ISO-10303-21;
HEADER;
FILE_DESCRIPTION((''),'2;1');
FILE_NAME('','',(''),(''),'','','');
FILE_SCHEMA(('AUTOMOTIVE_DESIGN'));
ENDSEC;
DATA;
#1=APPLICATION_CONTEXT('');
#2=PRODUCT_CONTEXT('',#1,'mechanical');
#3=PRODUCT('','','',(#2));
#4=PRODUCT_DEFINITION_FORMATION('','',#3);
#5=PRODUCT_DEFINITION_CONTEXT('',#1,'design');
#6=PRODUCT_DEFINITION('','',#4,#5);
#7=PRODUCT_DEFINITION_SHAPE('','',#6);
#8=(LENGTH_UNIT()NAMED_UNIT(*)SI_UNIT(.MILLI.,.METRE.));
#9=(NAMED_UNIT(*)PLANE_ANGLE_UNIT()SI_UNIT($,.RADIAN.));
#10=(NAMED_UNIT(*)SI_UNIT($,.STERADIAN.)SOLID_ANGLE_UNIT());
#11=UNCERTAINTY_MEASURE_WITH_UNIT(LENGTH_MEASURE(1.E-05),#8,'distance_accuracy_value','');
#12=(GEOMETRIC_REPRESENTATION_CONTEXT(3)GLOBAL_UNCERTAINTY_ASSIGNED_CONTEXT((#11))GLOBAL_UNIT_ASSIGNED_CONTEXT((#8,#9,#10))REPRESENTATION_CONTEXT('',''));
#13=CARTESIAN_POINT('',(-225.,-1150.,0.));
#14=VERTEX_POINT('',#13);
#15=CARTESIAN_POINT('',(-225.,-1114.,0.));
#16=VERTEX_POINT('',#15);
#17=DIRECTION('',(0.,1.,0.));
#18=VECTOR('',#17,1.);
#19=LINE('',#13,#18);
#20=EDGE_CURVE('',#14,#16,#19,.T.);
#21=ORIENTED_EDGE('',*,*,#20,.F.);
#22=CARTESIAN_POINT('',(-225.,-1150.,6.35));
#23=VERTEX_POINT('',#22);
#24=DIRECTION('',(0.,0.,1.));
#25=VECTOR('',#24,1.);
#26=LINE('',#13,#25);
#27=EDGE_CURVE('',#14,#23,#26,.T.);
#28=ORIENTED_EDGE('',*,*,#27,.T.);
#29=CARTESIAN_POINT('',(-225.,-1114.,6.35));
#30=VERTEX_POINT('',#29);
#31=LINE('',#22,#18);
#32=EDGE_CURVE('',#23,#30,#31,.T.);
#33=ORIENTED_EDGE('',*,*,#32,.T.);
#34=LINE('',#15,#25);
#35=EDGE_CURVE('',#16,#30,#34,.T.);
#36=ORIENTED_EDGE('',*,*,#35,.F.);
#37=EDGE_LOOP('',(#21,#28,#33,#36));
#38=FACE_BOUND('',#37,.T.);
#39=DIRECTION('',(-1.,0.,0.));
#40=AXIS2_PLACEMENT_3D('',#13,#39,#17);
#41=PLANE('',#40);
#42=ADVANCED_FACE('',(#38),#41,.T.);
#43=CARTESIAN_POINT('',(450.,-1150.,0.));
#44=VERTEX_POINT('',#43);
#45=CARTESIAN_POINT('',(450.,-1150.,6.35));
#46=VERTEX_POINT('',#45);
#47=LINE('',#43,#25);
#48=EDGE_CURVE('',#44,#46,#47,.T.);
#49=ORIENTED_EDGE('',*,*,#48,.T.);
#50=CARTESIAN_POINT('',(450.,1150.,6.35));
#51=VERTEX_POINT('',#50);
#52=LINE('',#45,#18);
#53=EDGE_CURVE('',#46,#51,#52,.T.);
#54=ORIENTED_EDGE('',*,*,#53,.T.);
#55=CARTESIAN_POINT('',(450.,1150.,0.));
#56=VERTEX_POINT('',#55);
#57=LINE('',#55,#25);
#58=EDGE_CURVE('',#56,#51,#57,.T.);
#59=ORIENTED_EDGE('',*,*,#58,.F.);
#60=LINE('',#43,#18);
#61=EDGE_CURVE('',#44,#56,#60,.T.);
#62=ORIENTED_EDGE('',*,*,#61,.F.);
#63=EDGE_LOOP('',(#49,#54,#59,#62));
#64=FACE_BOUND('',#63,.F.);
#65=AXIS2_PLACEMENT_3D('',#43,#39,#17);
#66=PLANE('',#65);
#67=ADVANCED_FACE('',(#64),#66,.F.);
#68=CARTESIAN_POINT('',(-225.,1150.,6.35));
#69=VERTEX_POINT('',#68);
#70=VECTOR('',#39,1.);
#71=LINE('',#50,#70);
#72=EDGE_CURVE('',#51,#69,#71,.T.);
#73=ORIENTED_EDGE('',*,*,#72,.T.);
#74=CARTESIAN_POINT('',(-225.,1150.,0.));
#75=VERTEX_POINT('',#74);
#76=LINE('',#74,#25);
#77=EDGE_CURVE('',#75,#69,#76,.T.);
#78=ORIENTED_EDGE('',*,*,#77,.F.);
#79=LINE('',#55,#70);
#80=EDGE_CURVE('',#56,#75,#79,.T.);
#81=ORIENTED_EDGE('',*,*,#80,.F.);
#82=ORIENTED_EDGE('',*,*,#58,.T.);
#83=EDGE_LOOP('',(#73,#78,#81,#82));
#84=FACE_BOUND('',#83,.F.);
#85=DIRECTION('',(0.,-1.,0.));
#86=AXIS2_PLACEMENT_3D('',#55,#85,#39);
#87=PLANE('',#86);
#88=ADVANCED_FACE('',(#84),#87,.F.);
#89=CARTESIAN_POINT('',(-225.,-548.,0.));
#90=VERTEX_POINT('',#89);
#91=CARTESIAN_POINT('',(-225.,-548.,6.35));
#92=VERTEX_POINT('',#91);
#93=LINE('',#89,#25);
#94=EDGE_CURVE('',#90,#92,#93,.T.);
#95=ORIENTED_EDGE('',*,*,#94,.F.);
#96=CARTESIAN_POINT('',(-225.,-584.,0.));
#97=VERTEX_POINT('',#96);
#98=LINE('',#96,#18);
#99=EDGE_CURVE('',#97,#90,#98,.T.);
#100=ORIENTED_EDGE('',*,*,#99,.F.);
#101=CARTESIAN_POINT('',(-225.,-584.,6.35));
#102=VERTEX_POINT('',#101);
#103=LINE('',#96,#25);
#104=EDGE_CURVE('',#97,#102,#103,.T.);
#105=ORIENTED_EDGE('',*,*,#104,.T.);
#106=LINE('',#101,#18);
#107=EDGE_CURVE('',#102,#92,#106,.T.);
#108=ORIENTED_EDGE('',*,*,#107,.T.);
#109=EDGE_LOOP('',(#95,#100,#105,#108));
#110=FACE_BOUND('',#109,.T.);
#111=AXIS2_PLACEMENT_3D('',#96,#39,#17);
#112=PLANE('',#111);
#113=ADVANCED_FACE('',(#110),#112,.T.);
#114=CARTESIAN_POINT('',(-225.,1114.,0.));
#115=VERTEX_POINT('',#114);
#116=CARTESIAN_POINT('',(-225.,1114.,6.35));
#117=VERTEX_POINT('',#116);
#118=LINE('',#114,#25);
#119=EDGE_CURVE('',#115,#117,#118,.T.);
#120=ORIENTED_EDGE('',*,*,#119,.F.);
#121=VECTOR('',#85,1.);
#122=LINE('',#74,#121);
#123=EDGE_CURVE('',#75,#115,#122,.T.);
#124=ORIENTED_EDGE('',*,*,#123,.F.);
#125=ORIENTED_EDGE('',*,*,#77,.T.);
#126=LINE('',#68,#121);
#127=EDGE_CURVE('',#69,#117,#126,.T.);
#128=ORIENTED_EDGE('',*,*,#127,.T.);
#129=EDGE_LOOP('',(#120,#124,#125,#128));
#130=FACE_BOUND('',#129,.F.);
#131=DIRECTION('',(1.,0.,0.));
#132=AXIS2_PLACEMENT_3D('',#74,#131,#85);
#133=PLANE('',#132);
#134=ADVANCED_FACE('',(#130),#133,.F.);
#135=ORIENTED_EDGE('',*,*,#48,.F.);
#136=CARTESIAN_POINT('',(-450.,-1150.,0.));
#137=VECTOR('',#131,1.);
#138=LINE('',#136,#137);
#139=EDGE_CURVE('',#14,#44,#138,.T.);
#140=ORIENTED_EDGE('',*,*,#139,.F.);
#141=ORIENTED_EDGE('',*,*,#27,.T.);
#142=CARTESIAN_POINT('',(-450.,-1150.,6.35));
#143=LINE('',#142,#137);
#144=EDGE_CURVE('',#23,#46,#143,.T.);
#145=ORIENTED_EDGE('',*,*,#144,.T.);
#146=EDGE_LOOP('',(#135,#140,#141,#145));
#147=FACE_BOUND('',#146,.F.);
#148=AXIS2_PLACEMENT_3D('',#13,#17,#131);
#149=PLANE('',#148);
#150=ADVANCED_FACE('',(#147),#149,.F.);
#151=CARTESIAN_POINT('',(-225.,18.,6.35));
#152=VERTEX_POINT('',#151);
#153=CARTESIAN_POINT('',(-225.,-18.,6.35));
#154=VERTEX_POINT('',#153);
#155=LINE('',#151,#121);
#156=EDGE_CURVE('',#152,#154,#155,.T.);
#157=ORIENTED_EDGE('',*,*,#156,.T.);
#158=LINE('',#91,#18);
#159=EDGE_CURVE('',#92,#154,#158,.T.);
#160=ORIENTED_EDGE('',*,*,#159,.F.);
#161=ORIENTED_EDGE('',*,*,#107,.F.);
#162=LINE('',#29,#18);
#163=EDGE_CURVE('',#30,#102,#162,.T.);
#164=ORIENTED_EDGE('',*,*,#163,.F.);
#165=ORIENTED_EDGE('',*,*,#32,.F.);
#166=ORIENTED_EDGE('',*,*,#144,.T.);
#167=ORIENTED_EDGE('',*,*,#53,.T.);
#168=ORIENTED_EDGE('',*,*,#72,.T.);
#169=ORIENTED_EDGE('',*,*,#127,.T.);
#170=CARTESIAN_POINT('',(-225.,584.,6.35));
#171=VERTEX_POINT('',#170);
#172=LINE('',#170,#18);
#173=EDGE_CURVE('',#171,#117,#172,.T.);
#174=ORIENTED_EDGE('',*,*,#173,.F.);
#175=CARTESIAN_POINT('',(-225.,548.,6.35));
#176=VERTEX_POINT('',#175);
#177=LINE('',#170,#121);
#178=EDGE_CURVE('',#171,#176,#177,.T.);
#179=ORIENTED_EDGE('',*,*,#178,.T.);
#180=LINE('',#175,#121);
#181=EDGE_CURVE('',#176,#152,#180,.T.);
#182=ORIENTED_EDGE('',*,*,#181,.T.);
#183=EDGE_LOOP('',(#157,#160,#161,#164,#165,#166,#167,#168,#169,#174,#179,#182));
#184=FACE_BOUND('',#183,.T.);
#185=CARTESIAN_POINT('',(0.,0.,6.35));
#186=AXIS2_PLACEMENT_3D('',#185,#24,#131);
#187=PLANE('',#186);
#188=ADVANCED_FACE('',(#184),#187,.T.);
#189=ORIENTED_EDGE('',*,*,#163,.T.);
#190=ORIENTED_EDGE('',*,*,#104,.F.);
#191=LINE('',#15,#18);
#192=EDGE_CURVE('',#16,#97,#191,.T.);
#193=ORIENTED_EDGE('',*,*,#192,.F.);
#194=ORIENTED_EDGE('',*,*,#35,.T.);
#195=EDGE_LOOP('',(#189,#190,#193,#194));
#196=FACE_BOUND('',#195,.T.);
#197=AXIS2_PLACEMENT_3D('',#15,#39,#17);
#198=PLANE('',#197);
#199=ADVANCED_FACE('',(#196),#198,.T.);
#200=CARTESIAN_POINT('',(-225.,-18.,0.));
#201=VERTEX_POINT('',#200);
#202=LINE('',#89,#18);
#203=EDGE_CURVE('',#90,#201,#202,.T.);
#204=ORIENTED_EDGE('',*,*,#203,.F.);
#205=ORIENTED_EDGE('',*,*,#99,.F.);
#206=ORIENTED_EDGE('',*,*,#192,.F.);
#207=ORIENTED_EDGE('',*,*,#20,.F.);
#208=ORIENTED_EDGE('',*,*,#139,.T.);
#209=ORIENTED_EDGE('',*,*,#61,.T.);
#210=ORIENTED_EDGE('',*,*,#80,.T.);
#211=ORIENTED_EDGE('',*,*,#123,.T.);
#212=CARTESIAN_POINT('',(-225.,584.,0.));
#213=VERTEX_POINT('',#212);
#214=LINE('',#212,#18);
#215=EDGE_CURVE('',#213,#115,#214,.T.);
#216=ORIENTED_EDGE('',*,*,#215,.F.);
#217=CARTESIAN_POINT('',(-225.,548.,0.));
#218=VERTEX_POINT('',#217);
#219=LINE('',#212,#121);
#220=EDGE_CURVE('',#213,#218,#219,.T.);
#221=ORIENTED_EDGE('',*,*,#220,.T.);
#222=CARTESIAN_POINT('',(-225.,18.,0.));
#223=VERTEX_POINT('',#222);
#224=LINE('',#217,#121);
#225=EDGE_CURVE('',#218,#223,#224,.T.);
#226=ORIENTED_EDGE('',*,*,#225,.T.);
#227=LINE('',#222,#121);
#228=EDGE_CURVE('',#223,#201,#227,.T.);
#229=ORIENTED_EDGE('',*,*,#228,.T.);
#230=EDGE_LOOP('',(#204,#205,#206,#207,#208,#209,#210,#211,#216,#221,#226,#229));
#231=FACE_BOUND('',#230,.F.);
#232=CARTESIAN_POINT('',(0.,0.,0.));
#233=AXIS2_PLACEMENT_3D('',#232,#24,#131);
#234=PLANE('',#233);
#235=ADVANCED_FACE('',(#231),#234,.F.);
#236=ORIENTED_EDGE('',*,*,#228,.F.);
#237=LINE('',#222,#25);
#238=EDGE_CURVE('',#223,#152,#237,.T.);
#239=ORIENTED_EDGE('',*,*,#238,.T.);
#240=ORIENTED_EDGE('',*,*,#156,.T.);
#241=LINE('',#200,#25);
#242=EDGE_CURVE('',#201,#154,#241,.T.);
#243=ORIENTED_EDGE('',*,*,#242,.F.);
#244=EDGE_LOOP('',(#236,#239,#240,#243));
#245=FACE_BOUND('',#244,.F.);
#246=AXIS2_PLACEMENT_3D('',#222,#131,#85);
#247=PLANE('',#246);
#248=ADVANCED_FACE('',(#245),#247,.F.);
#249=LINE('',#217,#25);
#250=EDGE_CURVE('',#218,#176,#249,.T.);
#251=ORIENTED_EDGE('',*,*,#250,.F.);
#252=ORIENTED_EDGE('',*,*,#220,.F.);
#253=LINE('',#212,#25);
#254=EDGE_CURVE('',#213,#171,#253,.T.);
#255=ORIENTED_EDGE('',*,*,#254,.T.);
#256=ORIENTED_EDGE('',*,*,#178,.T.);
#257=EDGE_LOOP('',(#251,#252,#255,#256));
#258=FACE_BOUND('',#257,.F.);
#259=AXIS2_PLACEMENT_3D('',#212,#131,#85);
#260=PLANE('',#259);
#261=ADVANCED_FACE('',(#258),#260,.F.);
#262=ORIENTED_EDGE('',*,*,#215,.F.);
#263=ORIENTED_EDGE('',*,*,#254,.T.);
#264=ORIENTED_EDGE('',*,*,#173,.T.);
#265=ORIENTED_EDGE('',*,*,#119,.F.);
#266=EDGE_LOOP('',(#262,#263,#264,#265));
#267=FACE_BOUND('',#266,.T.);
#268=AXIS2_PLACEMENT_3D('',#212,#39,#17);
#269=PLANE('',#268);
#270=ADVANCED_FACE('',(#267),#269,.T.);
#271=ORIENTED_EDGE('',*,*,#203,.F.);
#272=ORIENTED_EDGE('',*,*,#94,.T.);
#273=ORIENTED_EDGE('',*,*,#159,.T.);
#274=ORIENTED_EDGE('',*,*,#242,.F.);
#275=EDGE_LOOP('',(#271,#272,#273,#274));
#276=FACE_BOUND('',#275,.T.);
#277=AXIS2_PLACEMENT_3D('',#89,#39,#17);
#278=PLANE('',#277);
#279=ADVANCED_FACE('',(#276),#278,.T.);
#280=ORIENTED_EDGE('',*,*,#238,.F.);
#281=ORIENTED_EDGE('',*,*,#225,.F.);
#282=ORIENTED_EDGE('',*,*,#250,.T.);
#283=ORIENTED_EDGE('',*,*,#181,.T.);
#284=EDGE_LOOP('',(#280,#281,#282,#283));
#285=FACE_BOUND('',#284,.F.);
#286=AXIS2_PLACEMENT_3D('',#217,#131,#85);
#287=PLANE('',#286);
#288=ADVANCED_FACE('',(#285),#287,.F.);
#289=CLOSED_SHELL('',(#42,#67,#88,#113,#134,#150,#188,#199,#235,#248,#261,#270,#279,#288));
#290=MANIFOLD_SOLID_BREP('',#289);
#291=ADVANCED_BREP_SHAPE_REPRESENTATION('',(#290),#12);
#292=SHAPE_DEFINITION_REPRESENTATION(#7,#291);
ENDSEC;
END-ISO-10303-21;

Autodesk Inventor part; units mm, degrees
ref_plane "YZ Plane" through (0, 0, 0) normal (1, 0, 0) x (0, 1, 0)
ref_plane "XZ Plane" through (0, 0, 0) normal (0, 1, 0) x (-1, 0, 0)
ref_plane "XY Plane" through (0, 0, 0) normal (0, 0, 1) x (1, 0, 0)
ref_plane "Work Plane1" through (0, 0, 0) normal (0, 0, 1) x (1, 0, 0)
sketch "Sketch1" plane through (0, 0, 0) normal (0, 0, 1) x (1, 0, 0)
  line L0 (-450, 1150) -> (-450, -1150) projected
  line L1 (-450, -1150) -> (450, -1150) projected
  line L2 (450, -1150) -> (450, 1150) projected
  line L3 (450, 1150) -> (-450, 1150) projected
  line L4 (-225, 584) -> (-225, 1114) projected
  line L5 (-225, 584) -> (-225, 548) projected
  line L6 (-225, 548) -> (-225, 18) projected
  line L7 (-225, 18) -> (-225, -18) projected
  line L8 (-225, -548) -> (-225, -18) projected
  line L9 (-225, -584) -> (-225, -548) projected
  line L10 (-225, 1150) -> (-225, 1114) projected
  line L11 (-225, -1114) -> (-225, -584) projected
  line L12 (-225, -1150) -> (-225, -1114) projected
  point P0 (0, 0)
extrude "Extrusion1" add sketch "Sketch1" along normal blind 6.35 contours L3 L2 L1 L12 L11 L9 L8 L7 L6 L5 L4 L10
properties part number "placa superior" material "Steel"
